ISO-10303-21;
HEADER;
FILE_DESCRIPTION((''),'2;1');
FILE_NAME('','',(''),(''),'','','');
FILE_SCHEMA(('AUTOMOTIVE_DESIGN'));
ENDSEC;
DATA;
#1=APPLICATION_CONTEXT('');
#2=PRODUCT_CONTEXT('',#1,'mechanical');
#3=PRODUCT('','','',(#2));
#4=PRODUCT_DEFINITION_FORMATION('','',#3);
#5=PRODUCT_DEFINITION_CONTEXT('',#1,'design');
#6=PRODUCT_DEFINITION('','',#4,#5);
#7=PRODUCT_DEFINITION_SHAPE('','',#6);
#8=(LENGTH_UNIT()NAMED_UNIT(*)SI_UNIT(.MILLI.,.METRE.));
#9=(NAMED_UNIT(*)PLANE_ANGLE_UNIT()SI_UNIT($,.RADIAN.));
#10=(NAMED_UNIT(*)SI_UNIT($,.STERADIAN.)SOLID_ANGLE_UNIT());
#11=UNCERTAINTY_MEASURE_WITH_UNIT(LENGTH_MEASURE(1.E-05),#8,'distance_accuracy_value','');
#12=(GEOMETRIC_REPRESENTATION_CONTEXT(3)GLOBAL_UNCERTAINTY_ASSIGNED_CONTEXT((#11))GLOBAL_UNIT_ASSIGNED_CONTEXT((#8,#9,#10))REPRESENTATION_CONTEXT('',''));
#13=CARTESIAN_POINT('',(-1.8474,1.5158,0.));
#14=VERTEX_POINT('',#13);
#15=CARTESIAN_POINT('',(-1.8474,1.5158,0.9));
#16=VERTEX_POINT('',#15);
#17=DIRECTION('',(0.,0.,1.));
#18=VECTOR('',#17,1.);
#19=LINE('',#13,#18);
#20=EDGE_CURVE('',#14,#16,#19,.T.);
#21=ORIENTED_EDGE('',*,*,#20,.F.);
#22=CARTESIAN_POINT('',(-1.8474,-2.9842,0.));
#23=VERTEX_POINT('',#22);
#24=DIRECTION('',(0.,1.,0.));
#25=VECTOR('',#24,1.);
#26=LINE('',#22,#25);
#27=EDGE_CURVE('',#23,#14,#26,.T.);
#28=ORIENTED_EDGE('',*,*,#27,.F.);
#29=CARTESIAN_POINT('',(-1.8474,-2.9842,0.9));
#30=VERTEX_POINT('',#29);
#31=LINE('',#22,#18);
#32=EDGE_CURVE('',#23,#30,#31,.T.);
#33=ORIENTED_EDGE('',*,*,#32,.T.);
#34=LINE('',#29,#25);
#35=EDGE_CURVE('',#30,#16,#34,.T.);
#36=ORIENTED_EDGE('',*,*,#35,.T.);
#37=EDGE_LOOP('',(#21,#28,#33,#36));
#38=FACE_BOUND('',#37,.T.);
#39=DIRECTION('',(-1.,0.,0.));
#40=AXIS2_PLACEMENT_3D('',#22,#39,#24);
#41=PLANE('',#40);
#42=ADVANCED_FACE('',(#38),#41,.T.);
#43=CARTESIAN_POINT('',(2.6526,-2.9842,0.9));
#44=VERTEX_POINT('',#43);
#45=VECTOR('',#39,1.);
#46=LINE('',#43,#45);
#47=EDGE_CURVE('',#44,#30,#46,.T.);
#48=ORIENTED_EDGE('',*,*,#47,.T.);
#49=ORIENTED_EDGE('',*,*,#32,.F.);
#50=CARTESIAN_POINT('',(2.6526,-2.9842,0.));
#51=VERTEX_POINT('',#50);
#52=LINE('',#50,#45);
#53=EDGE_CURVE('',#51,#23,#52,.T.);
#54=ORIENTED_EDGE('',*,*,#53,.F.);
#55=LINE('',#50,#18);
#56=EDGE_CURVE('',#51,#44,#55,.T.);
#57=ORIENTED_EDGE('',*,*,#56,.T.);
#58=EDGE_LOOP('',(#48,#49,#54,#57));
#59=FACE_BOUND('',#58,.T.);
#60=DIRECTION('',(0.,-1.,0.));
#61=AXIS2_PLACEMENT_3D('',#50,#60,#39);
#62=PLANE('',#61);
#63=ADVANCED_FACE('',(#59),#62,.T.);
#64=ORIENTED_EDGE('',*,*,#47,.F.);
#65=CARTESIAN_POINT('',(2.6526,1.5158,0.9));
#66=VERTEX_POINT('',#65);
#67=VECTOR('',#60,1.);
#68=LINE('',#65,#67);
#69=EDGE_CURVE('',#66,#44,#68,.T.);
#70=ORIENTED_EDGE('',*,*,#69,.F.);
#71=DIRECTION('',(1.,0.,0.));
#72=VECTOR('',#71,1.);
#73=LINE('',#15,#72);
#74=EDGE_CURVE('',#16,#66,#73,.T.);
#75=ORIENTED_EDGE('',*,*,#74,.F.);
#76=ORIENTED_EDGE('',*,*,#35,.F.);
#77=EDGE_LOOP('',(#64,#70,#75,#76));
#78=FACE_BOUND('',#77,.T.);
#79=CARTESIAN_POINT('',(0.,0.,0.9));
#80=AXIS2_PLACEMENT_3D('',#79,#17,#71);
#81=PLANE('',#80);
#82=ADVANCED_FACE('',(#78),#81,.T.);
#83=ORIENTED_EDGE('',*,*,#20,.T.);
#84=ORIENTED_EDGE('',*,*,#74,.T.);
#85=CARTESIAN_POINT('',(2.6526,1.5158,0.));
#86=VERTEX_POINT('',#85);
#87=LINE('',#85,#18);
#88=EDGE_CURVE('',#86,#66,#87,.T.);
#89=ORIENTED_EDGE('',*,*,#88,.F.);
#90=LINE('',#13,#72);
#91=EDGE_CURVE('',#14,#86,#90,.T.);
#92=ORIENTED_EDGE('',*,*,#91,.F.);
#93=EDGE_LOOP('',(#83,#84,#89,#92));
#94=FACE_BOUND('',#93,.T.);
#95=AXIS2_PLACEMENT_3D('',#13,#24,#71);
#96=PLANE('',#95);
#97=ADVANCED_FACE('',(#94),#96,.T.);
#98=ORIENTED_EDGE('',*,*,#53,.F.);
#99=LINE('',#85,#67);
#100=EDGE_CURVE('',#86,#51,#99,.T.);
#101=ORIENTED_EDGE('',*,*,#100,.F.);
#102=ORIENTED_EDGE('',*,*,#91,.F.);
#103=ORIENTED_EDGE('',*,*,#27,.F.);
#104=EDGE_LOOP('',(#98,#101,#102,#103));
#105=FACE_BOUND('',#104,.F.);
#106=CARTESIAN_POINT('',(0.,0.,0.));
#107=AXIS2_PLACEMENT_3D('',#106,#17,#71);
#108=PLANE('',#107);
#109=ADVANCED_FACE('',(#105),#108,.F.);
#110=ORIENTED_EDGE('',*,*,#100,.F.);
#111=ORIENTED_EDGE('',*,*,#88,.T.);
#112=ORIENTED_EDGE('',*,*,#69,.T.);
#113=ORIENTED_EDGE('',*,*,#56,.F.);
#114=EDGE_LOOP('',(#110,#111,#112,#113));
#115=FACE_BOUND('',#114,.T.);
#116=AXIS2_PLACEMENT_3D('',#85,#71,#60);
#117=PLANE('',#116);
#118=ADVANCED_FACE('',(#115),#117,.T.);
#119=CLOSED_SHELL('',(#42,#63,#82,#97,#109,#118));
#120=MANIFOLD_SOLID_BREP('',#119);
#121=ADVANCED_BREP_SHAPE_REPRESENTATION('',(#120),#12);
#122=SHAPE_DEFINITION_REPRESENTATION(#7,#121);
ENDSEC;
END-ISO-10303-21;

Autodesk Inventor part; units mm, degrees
ref_plane "YZ Plane" through (0, 0, 0) normal (1, 0, 0) x (0, 1, 0)
ref_plane "XZ Plane" through (0, 0, 0) normal (0, 1, 0) x (-1, 0, 0)
ref_plane "XY Plane" through (0, 0, 0) normal (0, 0, 1) x (1, 0, 0)
sketch "Sketch1" plane through (0, 0, 0) normal (0, 0, 1) x (1, 0, 0)
  line L0 (-1.8474, 1.5158) -> (2.6526, 1.5158)
  line L1 (2.6526, 1.5158) -> (2.6526, -2.9842)
  line L2 (2.6526, -2.9842) -> (-1.8474, -2.9842)
  line L3 (-1.8474, -2.9842) -> (-1.8474, 1.5158)
  point P0 (0, 0)
  dimension "d0" = 4.5
  dimension "d1" = 4.5
extrude "Extrusion1" add sketch "Sketch1" along normal blind 0.9
properties part number "RFSwitch"
